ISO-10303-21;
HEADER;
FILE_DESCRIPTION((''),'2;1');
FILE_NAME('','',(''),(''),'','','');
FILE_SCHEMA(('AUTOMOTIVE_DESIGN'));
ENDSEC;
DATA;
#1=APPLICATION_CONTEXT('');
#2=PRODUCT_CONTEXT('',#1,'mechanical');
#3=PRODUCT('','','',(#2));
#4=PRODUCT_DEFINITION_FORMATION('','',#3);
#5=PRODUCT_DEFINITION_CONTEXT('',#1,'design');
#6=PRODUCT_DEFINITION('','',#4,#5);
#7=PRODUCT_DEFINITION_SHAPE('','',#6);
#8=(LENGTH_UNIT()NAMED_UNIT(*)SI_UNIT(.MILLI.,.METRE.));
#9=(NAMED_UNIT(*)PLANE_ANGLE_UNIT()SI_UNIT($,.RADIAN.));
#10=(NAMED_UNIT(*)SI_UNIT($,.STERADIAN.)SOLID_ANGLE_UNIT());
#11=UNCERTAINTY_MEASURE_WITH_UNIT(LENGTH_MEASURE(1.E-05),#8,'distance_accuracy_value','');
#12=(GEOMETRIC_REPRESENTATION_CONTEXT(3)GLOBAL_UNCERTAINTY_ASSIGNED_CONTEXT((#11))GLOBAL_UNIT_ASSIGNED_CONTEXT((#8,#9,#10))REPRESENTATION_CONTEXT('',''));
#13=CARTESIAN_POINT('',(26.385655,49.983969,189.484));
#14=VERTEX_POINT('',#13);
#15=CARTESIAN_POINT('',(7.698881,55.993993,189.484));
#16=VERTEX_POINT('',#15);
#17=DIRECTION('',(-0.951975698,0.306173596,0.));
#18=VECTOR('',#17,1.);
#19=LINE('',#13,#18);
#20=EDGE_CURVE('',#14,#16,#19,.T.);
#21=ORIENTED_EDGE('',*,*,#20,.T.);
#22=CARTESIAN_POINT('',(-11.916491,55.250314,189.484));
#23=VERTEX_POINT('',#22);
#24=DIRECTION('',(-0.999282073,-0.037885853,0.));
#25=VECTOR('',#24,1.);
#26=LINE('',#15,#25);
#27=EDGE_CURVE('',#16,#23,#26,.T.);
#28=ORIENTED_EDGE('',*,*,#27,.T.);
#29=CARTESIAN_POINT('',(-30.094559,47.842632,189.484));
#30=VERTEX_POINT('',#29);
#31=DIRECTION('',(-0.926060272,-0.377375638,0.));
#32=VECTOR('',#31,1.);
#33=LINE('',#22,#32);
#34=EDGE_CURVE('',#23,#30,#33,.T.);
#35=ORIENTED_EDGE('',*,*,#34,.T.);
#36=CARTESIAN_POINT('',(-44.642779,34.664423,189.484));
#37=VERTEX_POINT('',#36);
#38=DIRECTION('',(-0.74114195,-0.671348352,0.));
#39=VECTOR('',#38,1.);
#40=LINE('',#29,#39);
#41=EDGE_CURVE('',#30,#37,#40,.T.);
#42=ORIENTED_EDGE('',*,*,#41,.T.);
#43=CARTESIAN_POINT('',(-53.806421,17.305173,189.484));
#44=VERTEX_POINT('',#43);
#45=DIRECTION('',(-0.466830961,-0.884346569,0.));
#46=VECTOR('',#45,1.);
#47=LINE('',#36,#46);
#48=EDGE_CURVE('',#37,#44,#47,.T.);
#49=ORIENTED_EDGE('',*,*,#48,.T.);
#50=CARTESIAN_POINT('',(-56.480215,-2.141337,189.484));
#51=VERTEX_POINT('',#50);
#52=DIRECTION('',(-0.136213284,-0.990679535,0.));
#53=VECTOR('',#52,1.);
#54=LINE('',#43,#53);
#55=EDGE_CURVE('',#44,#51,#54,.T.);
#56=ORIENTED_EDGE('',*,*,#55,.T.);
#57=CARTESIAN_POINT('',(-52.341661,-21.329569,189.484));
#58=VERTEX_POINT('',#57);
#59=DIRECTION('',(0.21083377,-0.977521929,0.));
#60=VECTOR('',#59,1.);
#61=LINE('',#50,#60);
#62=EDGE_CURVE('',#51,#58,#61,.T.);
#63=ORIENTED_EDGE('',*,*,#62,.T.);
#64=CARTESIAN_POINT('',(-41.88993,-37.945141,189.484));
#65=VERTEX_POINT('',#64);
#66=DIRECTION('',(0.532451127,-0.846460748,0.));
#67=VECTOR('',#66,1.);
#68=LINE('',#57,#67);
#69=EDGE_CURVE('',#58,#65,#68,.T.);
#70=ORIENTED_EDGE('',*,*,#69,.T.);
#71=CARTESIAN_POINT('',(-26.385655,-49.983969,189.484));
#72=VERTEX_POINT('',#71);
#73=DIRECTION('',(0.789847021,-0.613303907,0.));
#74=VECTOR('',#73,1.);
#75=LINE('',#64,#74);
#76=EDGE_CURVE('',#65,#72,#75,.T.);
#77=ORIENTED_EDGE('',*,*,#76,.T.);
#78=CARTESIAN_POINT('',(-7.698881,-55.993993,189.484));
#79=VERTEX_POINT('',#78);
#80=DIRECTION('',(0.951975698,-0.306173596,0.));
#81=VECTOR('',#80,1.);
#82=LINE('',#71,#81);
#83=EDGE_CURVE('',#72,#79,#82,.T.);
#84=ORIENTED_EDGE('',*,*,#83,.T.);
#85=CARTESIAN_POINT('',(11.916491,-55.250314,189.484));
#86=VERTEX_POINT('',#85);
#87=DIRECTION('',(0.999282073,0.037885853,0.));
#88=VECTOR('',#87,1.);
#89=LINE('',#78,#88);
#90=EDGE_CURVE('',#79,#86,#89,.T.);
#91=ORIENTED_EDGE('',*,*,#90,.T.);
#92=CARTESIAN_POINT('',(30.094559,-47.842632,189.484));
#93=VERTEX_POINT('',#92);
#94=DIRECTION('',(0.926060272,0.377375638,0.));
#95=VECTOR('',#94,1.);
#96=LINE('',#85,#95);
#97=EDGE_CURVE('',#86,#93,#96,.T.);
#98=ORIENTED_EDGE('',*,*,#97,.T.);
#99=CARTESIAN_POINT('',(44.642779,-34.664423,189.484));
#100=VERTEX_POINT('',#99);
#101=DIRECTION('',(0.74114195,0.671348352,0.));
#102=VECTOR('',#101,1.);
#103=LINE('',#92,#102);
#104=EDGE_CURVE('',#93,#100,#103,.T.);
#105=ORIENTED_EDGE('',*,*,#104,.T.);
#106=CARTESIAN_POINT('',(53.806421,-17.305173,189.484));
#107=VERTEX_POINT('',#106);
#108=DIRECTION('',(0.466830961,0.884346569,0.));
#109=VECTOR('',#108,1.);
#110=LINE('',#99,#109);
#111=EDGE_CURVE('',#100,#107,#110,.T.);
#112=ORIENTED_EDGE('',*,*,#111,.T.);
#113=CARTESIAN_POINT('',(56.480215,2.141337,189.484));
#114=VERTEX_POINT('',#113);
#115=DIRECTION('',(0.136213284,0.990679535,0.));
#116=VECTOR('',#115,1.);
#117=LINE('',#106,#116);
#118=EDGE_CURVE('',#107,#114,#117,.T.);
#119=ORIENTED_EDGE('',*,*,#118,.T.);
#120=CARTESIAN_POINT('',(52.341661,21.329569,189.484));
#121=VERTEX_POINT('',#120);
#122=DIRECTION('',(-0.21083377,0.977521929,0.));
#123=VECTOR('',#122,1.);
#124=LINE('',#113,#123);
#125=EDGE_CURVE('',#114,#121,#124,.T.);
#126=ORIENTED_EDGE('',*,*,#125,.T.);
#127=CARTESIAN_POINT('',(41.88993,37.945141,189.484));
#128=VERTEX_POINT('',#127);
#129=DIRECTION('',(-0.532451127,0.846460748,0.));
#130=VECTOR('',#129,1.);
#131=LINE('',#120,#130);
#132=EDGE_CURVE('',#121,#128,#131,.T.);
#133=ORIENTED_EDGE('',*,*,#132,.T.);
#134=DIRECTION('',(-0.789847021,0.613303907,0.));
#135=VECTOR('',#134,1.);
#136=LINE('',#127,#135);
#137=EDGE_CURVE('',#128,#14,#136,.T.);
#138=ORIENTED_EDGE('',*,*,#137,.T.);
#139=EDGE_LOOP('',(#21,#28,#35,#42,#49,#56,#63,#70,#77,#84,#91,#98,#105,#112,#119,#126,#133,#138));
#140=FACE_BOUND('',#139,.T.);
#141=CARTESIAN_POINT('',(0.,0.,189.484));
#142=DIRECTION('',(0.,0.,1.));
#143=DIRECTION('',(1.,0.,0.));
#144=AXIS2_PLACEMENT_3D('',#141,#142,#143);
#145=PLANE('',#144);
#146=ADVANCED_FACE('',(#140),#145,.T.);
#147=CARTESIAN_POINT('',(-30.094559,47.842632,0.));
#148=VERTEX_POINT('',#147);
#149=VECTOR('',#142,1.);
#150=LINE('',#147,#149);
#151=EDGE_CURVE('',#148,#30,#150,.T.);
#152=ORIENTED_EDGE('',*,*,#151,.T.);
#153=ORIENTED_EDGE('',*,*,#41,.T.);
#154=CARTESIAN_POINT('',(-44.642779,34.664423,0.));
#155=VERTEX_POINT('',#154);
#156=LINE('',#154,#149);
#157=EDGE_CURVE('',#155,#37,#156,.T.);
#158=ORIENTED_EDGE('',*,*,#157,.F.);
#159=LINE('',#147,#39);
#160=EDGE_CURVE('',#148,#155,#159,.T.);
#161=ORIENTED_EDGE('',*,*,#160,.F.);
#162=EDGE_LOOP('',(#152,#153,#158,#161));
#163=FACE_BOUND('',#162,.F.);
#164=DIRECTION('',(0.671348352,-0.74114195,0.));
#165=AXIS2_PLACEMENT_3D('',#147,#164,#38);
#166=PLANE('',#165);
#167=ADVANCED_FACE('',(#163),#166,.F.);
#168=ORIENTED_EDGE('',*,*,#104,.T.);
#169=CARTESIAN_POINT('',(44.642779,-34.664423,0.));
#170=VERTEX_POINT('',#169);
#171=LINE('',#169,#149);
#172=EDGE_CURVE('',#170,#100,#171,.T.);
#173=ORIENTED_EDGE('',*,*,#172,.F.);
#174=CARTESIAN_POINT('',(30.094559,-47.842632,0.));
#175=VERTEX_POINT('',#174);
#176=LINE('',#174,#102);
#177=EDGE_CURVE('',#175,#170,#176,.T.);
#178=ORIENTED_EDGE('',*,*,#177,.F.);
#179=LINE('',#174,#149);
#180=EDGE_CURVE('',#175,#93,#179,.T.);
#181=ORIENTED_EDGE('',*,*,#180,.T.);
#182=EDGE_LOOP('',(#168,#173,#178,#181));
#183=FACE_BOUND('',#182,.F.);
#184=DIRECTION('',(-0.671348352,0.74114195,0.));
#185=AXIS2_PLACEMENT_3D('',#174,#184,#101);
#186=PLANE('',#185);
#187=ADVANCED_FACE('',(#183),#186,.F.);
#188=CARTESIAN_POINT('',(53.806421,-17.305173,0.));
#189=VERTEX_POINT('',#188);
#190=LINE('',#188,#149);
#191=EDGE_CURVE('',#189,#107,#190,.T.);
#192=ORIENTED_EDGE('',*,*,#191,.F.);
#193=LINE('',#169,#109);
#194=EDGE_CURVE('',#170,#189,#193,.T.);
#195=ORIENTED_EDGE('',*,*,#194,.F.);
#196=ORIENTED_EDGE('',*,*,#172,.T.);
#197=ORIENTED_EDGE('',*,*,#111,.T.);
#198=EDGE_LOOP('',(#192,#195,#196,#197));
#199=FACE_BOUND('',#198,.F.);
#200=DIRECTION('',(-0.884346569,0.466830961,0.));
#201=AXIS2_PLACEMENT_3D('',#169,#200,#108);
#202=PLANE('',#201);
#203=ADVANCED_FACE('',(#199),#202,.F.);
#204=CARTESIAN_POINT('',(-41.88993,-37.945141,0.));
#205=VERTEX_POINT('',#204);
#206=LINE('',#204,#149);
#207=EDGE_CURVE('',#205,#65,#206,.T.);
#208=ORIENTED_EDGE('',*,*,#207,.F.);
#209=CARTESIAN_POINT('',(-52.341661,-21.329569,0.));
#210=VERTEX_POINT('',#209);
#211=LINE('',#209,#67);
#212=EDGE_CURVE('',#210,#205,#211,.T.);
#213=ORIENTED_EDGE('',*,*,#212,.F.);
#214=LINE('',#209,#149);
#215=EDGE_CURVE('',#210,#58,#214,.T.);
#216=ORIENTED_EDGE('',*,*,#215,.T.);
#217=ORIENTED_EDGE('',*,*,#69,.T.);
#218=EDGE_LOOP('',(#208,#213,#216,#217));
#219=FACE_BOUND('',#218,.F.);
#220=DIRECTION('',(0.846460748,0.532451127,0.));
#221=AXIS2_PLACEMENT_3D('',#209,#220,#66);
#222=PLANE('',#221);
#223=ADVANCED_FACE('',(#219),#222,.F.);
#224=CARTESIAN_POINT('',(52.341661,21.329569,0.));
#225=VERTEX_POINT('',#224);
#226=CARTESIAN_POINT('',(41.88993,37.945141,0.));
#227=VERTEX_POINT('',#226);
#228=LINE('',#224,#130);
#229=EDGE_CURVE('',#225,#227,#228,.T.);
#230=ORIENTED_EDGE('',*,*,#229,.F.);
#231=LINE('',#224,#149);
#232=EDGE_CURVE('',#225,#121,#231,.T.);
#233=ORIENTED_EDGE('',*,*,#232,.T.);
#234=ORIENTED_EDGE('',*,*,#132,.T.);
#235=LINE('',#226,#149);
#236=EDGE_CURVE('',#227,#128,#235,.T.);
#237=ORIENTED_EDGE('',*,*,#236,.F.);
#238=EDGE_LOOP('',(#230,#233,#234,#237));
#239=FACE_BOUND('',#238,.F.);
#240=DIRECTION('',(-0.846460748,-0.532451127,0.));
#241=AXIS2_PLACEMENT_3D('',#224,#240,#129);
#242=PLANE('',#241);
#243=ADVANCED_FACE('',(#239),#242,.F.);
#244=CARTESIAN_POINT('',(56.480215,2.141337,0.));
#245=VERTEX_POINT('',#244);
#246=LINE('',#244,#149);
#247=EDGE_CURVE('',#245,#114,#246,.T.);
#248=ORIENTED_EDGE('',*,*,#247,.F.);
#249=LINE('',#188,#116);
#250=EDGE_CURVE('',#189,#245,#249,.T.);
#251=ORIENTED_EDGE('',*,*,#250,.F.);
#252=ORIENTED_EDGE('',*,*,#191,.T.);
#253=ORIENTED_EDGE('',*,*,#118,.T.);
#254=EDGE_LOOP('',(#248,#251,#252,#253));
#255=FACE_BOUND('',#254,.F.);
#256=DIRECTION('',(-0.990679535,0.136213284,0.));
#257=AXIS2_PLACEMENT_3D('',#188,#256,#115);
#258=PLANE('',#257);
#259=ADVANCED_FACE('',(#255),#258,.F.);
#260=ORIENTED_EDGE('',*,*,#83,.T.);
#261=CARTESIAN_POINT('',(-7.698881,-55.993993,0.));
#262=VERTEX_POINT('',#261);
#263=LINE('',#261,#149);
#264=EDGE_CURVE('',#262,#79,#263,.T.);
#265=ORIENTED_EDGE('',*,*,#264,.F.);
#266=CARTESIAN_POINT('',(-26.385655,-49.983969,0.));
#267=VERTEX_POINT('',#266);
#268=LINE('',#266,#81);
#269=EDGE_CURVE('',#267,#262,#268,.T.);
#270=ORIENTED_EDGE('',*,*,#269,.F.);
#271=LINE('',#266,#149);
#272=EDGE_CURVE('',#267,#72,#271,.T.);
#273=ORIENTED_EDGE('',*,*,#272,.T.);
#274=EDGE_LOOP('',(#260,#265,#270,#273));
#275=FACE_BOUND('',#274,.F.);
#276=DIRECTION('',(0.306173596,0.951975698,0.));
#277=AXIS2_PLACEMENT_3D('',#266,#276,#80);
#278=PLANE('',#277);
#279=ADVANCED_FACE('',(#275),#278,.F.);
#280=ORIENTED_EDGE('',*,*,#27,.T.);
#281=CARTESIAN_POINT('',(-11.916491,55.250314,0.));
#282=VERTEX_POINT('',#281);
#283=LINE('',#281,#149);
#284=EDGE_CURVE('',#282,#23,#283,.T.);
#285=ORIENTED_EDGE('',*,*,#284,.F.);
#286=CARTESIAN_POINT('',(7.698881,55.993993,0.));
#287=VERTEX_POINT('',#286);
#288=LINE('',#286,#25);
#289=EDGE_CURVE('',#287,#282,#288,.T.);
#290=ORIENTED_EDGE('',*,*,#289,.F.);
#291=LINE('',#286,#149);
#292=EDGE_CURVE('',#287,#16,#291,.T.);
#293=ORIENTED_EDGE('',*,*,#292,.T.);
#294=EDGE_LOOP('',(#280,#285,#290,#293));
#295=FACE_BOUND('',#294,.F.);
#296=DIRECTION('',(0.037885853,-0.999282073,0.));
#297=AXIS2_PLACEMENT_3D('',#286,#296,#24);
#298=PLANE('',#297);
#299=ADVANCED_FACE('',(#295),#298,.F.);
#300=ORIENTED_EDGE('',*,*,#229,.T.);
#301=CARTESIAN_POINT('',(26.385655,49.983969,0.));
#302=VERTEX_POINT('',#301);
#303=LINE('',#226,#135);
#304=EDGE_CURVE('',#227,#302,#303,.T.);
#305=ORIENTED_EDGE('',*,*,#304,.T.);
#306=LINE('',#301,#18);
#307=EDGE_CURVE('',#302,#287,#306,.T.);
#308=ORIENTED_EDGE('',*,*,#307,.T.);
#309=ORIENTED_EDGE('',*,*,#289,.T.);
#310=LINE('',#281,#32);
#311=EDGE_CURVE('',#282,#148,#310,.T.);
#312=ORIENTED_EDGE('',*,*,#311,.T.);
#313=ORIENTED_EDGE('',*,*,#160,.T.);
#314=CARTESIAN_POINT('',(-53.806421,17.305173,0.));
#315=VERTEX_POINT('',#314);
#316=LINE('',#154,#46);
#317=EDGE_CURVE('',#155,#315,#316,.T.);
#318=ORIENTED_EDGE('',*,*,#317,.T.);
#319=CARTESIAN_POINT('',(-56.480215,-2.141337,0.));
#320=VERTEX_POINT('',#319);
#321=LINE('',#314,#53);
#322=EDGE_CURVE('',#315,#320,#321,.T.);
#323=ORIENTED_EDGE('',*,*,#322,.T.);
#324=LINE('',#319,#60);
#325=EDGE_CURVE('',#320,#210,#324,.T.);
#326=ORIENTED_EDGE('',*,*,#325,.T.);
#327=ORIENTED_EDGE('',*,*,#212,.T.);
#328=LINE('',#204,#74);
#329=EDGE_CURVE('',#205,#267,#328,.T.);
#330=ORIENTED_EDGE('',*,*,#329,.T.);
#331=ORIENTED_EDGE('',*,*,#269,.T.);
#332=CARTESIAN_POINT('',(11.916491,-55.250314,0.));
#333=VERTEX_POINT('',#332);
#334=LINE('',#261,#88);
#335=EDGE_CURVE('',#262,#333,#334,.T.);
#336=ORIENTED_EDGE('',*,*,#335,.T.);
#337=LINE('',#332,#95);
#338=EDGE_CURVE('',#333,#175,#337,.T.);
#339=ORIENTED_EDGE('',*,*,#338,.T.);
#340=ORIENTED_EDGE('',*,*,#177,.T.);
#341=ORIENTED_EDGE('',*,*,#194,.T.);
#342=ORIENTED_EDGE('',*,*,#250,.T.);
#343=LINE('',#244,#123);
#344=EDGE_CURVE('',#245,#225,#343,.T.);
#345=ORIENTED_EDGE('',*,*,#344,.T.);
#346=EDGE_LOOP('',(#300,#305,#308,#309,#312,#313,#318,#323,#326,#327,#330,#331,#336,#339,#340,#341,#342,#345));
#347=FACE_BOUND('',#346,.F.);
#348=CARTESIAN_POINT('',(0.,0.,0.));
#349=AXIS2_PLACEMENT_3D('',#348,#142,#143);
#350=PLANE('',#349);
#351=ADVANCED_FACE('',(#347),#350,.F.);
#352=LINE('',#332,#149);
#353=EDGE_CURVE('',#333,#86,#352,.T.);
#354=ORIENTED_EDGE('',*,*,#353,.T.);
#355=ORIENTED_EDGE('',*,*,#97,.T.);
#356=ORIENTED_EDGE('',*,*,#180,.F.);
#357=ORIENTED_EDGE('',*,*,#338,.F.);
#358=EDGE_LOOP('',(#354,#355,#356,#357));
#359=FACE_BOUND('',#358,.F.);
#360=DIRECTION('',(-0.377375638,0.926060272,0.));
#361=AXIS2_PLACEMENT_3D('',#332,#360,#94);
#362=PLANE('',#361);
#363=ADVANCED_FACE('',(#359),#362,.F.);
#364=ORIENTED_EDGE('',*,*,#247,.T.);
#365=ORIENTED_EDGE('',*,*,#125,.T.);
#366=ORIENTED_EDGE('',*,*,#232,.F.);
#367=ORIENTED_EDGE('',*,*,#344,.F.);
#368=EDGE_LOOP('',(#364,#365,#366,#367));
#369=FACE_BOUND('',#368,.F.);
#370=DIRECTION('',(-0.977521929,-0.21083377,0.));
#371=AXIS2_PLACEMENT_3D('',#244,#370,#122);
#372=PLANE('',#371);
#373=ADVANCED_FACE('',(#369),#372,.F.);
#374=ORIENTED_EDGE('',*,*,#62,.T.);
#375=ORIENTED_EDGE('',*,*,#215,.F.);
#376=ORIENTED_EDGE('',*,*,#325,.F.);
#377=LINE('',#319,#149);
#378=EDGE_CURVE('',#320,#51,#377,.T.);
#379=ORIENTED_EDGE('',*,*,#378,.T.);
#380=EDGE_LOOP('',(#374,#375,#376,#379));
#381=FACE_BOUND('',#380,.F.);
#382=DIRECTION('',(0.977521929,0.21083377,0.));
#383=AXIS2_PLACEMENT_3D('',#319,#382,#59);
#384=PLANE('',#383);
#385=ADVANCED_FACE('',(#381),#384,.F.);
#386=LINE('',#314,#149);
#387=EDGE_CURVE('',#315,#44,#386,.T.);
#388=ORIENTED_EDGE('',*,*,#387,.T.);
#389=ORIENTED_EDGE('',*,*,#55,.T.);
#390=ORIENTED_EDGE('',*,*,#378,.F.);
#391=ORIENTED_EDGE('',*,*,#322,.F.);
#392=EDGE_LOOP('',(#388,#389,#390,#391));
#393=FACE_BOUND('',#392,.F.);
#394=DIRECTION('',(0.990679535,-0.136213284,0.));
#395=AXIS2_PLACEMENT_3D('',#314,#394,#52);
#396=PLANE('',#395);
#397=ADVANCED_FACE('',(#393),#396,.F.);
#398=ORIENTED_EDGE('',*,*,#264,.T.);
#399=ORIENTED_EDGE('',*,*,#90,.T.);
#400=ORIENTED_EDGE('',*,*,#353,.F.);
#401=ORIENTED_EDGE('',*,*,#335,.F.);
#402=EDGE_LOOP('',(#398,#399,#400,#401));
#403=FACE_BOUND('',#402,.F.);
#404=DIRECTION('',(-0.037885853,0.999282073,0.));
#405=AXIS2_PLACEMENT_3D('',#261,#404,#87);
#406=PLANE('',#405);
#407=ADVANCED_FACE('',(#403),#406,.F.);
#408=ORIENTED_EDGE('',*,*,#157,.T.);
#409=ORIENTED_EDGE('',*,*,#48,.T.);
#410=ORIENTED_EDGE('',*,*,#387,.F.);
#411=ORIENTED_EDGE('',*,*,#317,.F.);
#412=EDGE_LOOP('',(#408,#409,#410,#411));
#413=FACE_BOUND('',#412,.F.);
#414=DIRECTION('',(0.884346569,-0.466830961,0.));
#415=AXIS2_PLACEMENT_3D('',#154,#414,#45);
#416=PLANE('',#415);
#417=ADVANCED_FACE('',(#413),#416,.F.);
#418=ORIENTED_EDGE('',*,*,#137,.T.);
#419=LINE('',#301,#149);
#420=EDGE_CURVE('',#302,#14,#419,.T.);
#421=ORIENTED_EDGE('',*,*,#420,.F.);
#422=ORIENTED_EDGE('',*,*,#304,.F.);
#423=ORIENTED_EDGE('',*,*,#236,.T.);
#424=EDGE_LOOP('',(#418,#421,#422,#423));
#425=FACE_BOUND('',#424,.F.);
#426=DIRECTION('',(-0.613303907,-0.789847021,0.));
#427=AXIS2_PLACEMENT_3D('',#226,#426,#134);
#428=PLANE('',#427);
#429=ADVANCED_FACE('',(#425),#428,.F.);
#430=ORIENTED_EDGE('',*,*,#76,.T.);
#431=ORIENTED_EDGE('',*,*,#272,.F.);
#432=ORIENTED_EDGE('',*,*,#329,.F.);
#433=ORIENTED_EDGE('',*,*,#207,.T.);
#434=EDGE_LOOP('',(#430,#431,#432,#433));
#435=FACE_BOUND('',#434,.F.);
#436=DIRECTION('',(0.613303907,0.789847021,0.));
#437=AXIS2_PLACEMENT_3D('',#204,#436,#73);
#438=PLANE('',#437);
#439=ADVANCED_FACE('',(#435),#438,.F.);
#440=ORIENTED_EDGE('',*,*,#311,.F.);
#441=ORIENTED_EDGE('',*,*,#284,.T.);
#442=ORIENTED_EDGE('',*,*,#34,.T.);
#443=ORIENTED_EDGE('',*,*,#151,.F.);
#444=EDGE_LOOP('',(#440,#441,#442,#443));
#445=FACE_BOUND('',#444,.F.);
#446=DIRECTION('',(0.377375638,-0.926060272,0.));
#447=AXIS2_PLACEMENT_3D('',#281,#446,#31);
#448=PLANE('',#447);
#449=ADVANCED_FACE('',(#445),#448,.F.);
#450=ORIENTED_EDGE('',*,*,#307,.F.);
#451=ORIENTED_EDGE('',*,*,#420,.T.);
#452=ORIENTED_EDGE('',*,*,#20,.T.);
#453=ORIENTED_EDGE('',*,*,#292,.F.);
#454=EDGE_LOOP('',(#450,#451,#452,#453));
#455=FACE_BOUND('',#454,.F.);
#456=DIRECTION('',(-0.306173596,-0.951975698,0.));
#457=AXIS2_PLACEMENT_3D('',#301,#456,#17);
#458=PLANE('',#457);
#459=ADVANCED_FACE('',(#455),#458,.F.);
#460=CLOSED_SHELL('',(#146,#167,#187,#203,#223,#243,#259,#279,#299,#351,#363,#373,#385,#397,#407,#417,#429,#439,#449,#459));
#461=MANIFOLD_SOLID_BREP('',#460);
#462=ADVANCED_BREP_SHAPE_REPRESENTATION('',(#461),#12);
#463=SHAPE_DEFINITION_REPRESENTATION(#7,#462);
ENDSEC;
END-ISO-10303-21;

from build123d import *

# Parameters (mm, degrees)
F1_DEPTH = 189.484


with BuildPart() as f1:
    # F0 (on Top) → F1 (new body)
    with BuildSketch(Plane.XY):
        Polygon((52.341661, 21.329569), (41.88993, 37.945141), (26.385655, 49.983969), (7.698881, 55.993993), (-11.916491, 55.250314), (-30.094559, 47.842632), (-44.642779, 34.664423), (-53.806421, 17.305173), (-56.480215, -2.141337), (-52.341661, -21.329569), (-41.88993, -37.945141), (-26.385655, -49.983969), (-7.698881, -55.993993), (11.916491, -55.250314), (30.094559, -47.842632), (44.642779, -34.664423), (53.806421, -17.305173), (56.480215, 2.141337), align=None)
    extrude(amount=F1_DEPTH)


solid = f1.part
